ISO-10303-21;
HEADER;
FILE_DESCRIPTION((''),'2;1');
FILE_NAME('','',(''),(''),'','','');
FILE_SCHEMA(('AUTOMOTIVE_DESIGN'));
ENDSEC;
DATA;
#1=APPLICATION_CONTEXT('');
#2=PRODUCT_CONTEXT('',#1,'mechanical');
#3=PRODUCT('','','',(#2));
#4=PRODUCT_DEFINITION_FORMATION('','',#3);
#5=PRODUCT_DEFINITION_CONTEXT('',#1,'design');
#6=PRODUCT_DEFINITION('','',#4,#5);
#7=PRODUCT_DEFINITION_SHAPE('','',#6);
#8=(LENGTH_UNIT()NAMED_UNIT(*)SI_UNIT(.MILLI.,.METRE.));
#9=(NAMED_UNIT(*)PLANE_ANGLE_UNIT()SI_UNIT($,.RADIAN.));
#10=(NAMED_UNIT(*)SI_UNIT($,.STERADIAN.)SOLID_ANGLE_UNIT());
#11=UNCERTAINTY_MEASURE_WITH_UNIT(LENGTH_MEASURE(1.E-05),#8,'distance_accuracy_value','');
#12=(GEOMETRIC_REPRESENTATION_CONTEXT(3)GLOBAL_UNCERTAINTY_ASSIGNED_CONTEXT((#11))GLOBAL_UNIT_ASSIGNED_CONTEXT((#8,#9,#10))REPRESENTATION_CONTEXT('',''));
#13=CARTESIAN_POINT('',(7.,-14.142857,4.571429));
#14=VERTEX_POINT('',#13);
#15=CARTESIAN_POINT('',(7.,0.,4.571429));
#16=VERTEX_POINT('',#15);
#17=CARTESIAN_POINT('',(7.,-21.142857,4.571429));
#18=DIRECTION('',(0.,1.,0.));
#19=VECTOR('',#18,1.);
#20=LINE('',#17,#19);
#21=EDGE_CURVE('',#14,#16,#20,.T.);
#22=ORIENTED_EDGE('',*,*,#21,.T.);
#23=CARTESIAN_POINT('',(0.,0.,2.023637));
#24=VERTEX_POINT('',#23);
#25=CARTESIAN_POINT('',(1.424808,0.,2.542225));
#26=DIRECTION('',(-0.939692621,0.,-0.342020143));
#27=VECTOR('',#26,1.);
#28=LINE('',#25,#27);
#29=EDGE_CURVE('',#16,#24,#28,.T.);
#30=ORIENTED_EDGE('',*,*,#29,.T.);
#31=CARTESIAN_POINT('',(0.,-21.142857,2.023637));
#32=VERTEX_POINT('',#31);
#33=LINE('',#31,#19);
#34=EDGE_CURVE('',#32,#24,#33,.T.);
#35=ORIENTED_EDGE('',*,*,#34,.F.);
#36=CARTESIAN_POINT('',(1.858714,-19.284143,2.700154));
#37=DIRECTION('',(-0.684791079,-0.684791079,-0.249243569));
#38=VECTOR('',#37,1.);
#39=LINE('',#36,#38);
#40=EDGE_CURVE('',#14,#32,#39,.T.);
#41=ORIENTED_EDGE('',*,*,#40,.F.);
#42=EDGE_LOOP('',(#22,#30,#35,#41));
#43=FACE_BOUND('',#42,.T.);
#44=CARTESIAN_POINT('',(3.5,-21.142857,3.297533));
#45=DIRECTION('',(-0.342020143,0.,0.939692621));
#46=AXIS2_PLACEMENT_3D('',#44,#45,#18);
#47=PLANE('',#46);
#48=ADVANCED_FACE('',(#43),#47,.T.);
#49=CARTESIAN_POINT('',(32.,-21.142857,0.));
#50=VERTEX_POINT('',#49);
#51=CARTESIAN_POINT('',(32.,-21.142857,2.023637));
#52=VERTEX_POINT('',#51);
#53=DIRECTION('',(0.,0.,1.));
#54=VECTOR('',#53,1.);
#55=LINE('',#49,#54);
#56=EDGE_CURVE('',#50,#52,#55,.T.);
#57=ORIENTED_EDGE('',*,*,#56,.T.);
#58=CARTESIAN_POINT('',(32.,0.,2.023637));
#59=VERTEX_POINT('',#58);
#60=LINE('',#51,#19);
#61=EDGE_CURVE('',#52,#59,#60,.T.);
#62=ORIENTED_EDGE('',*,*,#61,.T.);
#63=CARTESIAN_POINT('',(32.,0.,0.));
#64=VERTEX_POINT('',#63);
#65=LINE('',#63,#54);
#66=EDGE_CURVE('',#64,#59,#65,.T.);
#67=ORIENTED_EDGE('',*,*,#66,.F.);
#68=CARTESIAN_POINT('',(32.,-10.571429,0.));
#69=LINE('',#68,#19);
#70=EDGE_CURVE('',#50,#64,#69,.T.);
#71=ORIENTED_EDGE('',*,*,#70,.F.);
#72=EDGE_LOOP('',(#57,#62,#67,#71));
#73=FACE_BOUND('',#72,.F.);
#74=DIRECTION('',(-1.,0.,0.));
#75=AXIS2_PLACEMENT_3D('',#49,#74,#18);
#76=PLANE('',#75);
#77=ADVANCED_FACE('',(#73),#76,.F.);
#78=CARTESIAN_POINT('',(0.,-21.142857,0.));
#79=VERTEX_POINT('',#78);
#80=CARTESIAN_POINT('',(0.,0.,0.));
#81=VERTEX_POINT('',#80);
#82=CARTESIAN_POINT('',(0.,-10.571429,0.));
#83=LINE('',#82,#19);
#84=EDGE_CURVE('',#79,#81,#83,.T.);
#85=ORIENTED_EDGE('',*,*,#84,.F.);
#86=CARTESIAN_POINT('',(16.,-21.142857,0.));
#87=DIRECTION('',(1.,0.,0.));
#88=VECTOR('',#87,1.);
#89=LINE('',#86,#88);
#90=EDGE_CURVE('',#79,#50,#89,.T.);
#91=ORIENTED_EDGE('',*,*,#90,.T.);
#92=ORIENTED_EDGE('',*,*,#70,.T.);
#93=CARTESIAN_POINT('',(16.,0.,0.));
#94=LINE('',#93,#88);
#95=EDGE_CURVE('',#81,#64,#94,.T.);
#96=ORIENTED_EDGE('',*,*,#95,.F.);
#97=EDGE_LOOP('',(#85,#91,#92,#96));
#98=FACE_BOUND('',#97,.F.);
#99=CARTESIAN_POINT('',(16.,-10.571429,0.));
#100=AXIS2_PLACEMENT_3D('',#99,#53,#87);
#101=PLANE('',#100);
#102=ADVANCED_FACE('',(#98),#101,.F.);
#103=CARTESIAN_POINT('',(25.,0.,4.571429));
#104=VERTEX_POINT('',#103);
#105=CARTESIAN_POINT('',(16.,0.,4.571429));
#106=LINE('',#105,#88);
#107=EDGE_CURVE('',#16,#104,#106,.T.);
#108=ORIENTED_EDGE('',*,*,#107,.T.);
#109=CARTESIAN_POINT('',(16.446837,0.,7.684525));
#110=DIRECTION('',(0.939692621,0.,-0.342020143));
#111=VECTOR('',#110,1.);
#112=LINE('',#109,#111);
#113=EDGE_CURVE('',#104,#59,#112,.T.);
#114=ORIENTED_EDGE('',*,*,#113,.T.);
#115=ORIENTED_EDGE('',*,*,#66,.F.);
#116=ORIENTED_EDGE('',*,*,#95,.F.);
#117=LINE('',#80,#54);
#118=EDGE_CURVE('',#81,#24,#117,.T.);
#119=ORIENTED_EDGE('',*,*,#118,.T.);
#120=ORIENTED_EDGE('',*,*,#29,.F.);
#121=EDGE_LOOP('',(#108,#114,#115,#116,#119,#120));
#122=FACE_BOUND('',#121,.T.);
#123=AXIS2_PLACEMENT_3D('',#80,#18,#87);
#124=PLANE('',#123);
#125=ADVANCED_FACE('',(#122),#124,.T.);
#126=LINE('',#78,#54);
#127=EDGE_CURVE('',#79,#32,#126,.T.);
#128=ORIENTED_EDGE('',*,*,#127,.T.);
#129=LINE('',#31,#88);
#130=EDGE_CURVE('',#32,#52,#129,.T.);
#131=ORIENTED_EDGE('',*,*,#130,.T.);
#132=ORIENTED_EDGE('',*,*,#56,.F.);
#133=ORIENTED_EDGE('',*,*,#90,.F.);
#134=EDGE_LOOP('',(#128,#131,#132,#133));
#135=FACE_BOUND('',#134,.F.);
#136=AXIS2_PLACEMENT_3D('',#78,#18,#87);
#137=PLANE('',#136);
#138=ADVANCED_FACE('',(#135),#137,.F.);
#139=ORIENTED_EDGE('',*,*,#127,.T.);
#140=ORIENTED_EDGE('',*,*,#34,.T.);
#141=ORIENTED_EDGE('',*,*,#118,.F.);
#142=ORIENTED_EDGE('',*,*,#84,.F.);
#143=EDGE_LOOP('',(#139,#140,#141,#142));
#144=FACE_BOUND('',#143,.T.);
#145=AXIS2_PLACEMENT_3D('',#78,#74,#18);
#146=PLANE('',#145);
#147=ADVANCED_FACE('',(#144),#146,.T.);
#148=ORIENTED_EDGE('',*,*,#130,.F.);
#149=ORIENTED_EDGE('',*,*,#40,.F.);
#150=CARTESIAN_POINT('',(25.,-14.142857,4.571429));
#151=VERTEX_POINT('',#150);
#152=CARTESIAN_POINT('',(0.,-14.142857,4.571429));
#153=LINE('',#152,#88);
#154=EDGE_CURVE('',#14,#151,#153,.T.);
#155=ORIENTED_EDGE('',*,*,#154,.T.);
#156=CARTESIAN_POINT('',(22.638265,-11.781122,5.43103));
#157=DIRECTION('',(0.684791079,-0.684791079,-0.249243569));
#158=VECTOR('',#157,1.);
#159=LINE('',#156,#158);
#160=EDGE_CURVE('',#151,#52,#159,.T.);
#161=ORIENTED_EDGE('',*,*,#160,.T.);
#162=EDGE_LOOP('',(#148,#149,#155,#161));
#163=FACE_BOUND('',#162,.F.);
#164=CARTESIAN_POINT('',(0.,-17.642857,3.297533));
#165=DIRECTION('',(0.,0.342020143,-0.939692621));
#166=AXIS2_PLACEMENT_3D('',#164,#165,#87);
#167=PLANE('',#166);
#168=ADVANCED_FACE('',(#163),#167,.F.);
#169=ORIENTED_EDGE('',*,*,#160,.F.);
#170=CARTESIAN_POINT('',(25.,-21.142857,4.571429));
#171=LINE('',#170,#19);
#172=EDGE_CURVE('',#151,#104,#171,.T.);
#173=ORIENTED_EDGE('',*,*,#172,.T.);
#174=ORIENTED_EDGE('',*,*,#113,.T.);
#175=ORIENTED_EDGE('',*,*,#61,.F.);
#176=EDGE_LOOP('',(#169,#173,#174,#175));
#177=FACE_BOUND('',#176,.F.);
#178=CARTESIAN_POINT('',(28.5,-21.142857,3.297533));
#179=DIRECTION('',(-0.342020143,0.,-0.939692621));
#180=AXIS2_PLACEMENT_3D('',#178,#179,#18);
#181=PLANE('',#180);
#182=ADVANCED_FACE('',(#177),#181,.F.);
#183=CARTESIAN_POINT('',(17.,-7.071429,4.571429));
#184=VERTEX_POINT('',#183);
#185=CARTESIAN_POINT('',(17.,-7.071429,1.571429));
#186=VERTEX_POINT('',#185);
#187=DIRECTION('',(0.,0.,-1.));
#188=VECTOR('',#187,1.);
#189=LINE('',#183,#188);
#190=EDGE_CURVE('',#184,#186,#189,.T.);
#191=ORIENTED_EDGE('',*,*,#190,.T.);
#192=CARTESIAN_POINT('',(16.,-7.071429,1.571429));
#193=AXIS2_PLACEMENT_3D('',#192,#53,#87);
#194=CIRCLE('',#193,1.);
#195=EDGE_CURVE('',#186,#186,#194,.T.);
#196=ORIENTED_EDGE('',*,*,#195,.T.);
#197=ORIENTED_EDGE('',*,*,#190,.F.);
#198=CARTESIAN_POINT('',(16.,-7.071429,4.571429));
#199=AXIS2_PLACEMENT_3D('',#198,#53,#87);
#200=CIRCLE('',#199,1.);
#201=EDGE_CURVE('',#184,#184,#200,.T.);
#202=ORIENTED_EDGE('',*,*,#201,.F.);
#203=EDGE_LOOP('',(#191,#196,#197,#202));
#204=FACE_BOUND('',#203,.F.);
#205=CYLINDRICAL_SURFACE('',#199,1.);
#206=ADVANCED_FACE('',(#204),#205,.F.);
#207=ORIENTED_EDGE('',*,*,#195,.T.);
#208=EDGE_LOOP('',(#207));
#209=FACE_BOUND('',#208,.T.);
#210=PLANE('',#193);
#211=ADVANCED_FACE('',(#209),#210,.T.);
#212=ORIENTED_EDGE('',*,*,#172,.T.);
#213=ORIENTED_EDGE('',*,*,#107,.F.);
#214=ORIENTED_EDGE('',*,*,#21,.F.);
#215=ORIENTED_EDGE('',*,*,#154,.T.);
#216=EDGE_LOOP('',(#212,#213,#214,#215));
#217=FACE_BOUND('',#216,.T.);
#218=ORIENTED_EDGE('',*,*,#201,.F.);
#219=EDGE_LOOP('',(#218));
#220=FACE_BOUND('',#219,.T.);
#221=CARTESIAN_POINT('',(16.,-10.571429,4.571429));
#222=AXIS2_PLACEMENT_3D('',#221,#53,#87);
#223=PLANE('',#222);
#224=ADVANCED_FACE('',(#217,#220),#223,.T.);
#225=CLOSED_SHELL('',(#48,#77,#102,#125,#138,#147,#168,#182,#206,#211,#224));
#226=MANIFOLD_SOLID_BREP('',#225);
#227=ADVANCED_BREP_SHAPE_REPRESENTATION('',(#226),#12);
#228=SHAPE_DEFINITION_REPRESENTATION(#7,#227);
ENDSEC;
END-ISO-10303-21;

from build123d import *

# Parameters (mm, degrees)
F1_W     = 32
F1_H     = 21.1428571429
F2_DEPTH = 4.5714285714
F3_SIZE2 = 2.5477916399
F3_SIZE  = 7
F4_R     = 1
F5_DEPTH = 3


with BuildPart() as f2:
    # F1 (on Top) → F2 (new body)
    with BuildSketch(Plane.XY):
        with Locations((16, -10.5714285714)):
            Rectangle(F1_W, F1_H)
    extrude(amount=F2_DEPTH)

    # F3
    f3_edges = [f2.edges().sort_by_distance(p)[0] for p in [
        (0, -10.571429, 4.571429),
        (16, -21.142857, 4.571429),
        (32, -10.571429, 4.571429),
    ]]
    f3_side = f2.faces().sort_by_distance((16, -10.571429, 4.571429))[0]
    chamfer(f3_edges, length=F3_SIZE, length2=F3_SIZE2, reference=f3_side)

    # F4 (on face) → F5 (cut)
    with BuildSketch(Plane.XY.offset(4.5714285714)):
        with Locations((16, -7.0714285714)):
            Circle(F4_R)
    extrude(amount=-F5_DEPTH, mode=Mode.SUBTRACT)


solid = f2.part
